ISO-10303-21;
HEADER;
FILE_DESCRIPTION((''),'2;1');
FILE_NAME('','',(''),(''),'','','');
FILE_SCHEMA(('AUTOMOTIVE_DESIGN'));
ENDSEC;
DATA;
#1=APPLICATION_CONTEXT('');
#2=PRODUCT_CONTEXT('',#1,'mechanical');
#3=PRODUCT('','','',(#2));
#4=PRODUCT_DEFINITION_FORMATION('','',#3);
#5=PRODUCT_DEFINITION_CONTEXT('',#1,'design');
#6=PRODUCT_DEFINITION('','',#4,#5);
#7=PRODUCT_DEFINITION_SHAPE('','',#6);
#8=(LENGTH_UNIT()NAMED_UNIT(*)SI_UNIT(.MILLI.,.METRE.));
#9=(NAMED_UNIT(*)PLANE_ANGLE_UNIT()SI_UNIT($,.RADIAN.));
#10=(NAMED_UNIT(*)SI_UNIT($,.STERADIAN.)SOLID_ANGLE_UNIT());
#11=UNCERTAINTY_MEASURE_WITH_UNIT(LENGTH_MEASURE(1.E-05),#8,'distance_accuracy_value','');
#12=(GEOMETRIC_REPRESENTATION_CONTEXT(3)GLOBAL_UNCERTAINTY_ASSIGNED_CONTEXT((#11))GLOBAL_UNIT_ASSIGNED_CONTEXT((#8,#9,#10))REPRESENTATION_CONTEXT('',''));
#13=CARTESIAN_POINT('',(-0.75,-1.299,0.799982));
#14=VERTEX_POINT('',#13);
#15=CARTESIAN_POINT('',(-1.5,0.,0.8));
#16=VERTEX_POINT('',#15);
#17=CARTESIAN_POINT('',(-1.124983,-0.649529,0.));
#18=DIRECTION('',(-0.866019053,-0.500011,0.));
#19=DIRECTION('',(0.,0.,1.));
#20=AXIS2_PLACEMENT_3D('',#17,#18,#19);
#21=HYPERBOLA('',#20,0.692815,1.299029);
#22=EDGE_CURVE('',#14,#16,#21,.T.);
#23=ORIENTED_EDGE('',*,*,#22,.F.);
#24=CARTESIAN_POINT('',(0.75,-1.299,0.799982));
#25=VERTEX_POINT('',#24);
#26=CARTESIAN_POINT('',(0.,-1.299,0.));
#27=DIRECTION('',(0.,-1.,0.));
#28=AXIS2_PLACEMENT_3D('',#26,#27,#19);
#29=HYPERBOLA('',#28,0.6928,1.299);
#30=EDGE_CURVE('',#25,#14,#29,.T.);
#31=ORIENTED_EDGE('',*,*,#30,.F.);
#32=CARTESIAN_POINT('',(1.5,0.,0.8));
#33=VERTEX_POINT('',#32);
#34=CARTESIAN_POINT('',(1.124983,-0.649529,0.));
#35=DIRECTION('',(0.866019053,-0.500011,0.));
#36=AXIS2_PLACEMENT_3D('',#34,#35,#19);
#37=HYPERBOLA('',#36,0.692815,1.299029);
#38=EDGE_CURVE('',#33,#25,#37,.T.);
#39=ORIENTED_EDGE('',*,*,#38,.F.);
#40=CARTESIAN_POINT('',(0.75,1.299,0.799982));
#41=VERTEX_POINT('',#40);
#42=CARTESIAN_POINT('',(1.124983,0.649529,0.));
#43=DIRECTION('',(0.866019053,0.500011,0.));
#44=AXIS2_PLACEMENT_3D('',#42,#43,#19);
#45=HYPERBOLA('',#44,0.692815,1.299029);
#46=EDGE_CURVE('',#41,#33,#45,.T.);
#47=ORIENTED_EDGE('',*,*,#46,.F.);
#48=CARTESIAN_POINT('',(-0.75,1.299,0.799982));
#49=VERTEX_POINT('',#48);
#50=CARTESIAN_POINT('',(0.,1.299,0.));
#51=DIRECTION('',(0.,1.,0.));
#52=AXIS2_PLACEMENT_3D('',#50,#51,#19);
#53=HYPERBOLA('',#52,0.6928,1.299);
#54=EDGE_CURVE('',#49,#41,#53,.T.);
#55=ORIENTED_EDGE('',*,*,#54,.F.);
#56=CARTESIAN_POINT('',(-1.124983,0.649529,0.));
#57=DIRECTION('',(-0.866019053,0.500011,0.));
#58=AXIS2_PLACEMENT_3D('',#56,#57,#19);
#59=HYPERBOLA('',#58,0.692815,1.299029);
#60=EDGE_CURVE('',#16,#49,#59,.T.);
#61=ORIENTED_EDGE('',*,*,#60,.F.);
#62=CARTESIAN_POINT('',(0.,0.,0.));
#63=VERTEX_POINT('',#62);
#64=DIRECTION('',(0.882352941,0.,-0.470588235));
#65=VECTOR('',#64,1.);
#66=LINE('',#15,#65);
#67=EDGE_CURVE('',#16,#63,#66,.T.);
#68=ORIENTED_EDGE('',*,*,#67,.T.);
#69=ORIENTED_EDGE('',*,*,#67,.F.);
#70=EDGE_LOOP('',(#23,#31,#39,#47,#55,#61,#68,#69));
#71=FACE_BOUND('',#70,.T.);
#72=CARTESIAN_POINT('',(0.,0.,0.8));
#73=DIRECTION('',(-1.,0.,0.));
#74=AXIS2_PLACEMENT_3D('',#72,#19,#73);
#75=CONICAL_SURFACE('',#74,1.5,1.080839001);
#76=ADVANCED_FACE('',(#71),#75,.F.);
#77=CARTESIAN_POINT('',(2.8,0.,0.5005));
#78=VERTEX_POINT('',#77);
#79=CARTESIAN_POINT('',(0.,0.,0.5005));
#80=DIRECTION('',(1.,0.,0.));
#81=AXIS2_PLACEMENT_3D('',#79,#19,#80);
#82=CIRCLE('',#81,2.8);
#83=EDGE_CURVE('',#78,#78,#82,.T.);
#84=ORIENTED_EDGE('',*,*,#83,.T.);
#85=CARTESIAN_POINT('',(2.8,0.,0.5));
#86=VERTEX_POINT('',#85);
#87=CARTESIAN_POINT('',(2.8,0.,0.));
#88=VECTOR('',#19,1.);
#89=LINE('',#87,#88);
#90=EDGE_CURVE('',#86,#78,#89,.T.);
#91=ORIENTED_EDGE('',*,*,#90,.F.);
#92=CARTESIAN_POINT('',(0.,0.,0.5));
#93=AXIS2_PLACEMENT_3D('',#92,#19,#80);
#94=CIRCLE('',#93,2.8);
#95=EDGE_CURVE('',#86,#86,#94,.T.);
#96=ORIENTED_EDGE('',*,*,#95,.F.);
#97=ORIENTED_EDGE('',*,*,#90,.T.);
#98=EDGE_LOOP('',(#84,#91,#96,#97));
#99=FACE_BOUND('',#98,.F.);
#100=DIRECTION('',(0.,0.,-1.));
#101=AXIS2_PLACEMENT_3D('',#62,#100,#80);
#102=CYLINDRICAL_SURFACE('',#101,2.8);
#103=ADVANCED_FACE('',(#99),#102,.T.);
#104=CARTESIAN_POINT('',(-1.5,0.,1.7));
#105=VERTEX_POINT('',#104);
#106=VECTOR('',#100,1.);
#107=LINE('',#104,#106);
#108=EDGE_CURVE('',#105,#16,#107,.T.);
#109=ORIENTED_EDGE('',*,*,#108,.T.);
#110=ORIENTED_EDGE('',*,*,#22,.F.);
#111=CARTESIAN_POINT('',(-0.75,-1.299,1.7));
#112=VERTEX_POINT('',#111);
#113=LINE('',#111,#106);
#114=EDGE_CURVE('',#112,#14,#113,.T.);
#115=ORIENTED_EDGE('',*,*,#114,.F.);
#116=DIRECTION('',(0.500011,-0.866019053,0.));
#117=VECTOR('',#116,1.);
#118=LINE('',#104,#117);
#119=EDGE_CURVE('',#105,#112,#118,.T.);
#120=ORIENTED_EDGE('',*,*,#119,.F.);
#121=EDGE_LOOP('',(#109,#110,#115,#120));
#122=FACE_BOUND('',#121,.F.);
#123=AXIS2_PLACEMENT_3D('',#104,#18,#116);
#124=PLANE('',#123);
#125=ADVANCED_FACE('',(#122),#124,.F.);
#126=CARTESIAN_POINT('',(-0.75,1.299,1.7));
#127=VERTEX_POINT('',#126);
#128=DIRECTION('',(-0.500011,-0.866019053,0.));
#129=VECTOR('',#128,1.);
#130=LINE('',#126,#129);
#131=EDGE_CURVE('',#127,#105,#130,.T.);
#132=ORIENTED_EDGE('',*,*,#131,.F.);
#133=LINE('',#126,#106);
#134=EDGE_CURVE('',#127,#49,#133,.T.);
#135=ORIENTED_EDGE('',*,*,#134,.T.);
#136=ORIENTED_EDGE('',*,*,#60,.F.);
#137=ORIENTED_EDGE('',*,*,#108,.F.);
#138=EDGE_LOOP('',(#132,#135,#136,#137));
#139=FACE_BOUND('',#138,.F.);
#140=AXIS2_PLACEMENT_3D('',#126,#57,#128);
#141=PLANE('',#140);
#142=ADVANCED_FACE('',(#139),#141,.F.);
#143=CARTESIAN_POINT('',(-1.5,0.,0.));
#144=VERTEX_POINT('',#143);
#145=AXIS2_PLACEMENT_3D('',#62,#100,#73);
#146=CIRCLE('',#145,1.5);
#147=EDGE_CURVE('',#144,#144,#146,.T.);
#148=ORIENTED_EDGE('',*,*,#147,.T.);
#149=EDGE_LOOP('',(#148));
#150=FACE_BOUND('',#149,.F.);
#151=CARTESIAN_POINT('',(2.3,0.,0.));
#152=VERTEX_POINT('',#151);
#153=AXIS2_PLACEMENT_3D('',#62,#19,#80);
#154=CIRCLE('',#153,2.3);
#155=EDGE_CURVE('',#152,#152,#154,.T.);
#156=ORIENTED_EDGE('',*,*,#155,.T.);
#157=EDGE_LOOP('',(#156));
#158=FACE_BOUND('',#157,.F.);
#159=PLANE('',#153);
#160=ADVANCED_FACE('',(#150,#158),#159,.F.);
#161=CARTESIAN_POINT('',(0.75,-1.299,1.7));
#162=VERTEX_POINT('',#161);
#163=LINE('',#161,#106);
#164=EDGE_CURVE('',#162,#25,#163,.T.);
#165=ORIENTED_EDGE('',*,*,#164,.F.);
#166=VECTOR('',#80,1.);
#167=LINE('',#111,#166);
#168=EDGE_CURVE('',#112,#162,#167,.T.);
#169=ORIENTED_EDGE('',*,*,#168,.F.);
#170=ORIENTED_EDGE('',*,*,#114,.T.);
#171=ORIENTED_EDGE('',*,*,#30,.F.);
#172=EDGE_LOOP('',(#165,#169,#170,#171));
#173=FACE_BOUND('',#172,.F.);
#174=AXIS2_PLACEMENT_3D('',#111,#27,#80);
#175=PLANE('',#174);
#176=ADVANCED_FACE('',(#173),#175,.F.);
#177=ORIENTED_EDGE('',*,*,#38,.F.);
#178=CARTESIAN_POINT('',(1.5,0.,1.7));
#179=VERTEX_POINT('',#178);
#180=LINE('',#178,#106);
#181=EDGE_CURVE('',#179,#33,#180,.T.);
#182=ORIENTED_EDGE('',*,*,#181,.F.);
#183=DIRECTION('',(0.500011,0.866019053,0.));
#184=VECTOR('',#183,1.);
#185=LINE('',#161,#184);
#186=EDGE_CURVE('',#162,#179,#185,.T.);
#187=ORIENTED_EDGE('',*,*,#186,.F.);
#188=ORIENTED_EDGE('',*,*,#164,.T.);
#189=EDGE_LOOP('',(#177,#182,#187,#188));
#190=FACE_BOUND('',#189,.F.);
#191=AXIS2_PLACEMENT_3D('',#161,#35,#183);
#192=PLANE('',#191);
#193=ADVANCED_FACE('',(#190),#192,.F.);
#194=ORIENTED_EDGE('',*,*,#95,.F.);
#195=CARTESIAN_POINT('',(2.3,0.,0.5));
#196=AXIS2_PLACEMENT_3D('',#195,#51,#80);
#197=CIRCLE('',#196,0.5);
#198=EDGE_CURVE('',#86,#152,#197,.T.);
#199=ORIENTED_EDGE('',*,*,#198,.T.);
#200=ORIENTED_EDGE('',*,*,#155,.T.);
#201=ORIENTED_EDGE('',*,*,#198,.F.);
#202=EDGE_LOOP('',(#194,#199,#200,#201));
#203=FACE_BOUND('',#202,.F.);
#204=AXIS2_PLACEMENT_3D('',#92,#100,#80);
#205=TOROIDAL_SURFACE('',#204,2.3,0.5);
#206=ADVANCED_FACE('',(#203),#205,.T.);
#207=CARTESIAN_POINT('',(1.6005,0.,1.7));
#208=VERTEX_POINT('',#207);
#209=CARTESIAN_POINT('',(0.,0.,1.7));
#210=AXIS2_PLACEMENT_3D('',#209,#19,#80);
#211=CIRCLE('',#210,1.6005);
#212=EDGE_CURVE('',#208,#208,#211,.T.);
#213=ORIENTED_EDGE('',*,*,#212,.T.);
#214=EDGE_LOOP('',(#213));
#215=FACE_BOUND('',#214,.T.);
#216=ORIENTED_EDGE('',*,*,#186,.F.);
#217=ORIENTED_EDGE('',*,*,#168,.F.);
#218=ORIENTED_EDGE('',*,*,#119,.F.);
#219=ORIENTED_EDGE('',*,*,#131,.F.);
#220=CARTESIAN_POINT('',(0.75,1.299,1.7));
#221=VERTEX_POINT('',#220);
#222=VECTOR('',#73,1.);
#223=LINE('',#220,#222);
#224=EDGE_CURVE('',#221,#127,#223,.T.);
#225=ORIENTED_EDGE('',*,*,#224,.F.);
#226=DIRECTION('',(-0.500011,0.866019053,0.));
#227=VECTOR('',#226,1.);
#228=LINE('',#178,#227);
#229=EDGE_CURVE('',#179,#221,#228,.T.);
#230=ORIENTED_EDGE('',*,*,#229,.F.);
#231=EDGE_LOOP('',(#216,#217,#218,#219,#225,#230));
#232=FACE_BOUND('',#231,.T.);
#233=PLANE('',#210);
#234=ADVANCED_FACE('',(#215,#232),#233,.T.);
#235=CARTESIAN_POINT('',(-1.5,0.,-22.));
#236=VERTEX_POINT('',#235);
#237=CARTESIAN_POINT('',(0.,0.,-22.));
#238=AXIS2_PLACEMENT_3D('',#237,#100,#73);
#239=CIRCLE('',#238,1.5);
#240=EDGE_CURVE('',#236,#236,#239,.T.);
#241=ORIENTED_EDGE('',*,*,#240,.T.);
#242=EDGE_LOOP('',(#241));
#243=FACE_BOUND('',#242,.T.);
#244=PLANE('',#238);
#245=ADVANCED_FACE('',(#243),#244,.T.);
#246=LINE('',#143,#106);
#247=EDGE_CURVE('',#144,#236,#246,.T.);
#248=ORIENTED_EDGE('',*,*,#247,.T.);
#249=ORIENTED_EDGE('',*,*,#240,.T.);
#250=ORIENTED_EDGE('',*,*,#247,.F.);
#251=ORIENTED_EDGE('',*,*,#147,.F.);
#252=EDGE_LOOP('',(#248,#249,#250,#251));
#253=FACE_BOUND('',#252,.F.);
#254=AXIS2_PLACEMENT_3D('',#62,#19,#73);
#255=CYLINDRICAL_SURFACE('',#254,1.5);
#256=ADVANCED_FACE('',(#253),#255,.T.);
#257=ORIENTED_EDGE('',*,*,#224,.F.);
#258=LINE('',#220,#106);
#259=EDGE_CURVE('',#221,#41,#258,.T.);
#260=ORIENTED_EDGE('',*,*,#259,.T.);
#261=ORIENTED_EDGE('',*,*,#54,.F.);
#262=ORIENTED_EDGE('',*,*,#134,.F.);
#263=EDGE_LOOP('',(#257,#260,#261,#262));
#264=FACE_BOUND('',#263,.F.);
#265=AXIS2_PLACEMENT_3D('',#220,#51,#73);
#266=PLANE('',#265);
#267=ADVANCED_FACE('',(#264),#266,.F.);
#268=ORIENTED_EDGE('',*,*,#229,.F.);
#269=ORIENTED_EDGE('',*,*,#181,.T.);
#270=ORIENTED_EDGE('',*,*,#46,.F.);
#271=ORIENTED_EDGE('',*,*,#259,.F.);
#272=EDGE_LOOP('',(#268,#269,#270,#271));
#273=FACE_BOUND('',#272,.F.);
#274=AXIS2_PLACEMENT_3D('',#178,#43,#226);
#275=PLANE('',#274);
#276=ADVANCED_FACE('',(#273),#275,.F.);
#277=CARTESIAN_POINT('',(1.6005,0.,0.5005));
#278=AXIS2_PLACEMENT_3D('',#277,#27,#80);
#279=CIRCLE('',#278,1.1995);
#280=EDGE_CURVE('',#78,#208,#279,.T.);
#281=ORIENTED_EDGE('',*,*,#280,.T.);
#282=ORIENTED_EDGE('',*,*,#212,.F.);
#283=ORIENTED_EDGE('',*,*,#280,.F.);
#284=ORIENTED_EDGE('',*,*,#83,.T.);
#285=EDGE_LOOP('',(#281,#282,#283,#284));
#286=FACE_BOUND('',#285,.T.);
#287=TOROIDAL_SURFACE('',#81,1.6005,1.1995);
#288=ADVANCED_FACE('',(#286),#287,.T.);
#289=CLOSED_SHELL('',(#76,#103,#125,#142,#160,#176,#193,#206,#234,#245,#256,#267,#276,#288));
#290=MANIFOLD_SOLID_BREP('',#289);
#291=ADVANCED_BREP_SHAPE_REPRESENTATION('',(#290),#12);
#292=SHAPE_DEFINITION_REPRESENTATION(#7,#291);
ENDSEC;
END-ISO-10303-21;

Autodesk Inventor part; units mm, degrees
ref_plane "YZ Plane" through (0, 0, 0) normal (1, 0, 0) x (0, 1, 0)
ref_plane "XZ Plane" through (0, 0, 0) normal (0, 1, 0) x (-1, 0, 0)
ref_plane "XY Plane" through (0, 0, 0) normal (0, 0, 1) x (1, 0, 0)
sketch "Sketch1" plane through (0, 0, 0) normal (0, 0, 1) x (1, 0, 0)
  circle A0 centre (0, 0) radius 2.8
  dimension "d0" = 5.6
extrude "Extrusion1" add sketch "Sketch1" along normal blind 1.7
fillet "Fillet3" radius 0.5 1 edges at (-2.8, 0, 0)
fillet "Fillet4" radius 1.2 1 edges at (-2.8, 0, 1.7)
sketch "Sketch2" plane through (0, 0, 1.7) normal (0, 0, 1) x (1, 0, 0)
  line L0 (-0.75, -1.299) -> (0.75, -1.299)
  line L1 (0.75, -1.299) -> (1.5, 0)
  line L2 (1.5, 0) -> (0.75, 1.299)
  line L3 (0.75, 1.299) -> (-0.75, 1.299)
  line L4 (-0.75, 1.299) -> (-1.5, 0)
  line L5 (-1.5, 0) -> (-0.75, -1.299)
  dimension "d7" = 3
extrude "Extrusion2" cut sketch "Sketch2" against normal blind 1.7
sketch "Sketch3" plane through (0, 0, 0) normal (0, 1, 0) x (-1, 0, 0)
  line L0 (0, 0) -> (1.5, 0)
  line L1 (2.3, 0) -> (-2.3, 0) projected
  line L2 (1.5, 0) -> (1.5, 0.8)
  line L3 (1.5, 0.8) -> (0, 0)
  line L4 (0, 0) -> (0, 2.432)
  dimension "d13" = 0
  dimension "d14" = 1.5
  dimension "d15" = 0.8
revolve "Revolution2" add sketch "Sketch3" angle 360 about axis through (0, 0, 0) along (0, 0, 1)
sketch "Sketch4" plane through (0, 0, 0) normal (0, 0, -1) x (-1, 0, 0)
  circle A0 centre (0, 0) radius 2.3 projected
  circle A1 centre (0, 0) radius 1.5
  dimension "d18" = 3
extrude "Extrusion3" add sketch "Sketch4" along normal blind 22 contours A1
thread "Thread1" size "M3x0.5" class "6g" standard "ANSI Metric M Profile" full length
properties part number "screw_M3_16_hex"
